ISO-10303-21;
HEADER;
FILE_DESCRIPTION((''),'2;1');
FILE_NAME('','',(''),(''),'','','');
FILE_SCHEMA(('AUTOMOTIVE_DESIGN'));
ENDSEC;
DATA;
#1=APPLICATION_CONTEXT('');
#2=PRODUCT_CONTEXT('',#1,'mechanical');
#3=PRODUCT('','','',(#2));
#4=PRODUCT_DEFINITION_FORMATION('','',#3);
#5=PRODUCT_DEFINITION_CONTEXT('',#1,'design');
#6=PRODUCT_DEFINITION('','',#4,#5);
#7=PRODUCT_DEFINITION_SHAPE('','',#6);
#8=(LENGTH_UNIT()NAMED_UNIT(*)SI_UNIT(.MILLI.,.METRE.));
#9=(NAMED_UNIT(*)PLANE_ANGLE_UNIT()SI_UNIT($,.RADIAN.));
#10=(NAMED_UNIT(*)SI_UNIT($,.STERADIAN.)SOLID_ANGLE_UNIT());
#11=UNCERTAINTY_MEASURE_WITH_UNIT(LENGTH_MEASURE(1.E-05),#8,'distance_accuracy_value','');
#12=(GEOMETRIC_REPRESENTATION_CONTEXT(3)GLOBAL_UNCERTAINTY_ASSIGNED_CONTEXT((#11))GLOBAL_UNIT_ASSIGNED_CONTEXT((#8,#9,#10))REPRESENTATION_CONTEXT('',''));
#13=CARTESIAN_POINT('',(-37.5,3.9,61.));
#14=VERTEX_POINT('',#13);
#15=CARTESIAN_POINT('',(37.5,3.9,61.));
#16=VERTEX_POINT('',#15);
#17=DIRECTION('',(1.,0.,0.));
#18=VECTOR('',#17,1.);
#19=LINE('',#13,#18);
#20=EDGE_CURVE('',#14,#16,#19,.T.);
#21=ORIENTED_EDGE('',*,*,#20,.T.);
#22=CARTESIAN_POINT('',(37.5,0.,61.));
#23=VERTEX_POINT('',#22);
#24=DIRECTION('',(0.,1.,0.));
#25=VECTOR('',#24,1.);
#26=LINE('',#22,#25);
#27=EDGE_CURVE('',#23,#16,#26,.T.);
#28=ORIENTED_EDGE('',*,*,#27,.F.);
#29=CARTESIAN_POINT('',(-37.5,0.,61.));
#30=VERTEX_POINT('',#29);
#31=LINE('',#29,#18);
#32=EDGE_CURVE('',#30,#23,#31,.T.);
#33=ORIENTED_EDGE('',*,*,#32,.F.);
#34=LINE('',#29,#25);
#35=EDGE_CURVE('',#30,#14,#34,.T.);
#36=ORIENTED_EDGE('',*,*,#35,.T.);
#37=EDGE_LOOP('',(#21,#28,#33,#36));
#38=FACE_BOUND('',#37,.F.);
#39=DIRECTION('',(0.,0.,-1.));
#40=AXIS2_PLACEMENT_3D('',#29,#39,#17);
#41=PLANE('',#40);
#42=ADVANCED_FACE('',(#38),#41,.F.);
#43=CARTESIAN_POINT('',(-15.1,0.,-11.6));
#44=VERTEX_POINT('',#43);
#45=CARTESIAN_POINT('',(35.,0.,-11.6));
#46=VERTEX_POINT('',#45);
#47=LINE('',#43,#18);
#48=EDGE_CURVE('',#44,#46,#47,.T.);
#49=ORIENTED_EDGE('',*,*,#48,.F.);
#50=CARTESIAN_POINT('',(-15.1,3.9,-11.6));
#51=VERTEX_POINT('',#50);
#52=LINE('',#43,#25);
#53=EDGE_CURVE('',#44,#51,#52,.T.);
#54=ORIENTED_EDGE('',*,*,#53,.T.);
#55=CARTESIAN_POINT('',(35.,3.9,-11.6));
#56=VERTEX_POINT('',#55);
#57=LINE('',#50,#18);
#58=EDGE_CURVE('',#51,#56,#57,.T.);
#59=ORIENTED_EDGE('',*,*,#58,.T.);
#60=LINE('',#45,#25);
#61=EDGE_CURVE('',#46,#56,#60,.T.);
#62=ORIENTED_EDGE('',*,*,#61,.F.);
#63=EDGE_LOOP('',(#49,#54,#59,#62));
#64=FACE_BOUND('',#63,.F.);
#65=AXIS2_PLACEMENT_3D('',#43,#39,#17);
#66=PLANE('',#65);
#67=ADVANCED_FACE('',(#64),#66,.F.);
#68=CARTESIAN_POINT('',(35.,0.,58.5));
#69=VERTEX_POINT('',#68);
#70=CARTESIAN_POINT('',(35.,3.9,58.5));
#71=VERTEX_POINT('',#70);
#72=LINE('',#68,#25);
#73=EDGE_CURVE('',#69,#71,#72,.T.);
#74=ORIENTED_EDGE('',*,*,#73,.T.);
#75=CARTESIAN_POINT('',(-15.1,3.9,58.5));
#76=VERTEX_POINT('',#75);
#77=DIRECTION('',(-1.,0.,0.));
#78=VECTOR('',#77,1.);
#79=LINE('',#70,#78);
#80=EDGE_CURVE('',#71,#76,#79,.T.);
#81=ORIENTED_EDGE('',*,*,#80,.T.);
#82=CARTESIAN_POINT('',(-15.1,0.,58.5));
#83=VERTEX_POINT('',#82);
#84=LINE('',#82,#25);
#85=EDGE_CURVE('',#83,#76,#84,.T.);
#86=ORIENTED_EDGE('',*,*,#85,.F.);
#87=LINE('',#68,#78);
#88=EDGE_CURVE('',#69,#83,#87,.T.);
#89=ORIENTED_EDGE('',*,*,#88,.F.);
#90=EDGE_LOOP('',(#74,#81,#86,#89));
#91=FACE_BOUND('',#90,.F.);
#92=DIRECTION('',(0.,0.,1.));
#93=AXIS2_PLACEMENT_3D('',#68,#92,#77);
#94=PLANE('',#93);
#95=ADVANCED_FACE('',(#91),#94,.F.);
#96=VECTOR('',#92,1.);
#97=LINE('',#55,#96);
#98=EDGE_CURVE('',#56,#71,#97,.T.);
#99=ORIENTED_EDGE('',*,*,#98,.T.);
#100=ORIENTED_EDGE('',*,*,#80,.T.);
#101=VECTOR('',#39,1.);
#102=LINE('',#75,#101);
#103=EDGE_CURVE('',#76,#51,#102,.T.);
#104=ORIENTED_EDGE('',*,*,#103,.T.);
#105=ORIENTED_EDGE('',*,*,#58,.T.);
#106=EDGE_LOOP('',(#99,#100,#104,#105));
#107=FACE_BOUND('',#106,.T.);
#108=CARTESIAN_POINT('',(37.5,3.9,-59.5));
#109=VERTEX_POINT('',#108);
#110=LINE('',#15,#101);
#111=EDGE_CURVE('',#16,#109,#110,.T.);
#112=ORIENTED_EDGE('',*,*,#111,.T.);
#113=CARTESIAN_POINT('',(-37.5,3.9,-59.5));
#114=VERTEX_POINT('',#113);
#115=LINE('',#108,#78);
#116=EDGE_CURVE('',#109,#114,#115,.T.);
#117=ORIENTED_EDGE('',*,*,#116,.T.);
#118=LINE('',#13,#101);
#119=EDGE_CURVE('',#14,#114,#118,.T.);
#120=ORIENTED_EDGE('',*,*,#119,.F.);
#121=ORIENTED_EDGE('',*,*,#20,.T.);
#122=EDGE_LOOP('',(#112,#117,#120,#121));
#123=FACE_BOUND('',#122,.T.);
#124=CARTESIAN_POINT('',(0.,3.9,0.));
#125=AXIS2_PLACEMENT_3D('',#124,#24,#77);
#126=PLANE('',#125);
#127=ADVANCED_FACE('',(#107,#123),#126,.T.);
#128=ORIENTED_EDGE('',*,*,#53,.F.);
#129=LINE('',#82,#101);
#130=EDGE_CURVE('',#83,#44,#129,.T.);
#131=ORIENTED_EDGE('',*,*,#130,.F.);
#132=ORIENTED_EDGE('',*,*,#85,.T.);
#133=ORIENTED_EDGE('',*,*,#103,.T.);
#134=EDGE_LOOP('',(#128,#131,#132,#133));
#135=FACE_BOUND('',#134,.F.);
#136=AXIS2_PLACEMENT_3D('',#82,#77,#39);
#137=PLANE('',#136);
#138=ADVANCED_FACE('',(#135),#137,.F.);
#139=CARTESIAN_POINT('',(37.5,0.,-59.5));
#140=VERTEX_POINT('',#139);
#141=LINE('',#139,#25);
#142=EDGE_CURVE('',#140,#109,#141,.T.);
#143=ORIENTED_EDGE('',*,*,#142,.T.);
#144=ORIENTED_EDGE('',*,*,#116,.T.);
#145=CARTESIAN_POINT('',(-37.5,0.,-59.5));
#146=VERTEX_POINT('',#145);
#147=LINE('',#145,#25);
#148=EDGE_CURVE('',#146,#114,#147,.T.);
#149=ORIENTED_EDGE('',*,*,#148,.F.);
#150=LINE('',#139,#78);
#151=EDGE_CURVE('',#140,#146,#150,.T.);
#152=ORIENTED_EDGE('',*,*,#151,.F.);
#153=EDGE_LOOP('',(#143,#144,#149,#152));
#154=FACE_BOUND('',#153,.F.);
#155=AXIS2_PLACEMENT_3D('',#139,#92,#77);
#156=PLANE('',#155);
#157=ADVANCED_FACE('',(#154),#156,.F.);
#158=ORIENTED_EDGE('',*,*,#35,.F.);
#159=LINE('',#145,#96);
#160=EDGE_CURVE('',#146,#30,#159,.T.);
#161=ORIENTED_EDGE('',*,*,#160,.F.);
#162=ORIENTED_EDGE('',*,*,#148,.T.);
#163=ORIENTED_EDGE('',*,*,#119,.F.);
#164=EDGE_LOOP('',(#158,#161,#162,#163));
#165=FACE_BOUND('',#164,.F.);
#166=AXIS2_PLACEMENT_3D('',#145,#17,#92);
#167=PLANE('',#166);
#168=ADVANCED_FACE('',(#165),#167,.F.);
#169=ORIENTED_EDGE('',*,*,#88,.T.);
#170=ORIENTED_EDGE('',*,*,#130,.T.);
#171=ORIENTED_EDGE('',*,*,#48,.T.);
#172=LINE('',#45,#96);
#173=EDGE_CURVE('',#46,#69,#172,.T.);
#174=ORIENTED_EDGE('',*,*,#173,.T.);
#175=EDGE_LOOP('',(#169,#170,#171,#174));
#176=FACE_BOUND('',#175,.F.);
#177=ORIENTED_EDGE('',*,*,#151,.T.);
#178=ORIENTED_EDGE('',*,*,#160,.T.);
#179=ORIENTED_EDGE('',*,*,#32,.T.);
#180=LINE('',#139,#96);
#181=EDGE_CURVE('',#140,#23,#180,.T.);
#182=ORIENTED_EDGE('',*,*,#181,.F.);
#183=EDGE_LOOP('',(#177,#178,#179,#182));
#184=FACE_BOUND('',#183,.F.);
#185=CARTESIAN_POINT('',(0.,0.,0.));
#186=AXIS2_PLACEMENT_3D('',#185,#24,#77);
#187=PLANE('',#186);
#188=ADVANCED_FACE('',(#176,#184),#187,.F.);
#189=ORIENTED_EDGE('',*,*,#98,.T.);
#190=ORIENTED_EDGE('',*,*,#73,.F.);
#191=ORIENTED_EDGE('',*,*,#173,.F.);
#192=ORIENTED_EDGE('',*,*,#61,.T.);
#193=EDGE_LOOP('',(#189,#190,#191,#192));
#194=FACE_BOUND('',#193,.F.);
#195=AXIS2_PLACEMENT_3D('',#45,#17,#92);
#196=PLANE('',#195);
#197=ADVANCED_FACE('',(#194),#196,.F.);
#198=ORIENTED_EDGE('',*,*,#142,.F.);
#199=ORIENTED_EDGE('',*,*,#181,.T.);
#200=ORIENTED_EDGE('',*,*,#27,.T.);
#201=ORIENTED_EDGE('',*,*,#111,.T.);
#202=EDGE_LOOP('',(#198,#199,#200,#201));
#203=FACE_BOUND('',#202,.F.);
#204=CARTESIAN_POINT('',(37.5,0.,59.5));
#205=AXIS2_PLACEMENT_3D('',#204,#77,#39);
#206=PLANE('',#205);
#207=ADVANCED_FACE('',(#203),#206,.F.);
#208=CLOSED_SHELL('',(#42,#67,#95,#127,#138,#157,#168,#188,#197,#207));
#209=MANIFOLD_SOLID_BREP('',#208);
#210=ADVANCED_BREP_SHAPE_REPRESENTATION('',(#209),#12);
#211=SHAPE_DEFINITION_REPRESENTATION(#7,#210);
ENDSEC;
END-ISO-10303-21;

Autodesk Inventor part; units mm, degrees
ref_plane "YZ Plane" through (0, 0, 0) normal (1, 0, 0) x (0, 1, 0)
ref_plane "XZ Plane" through (0, 0, 0) normal (0, 1, 0) x (-1, 0, 0)
ref_plane "XY Plane" through (0, 0, 0) normal (0, 0, 1) x (1, 0, 0)
sketch "Sketch2" plane through (0, 0, 0) normal (0, 1, 0) x (-1, 0, 0)
  line L0 (37.5, 59.5) -> (-37.5, 59.5)
  line L1 (-37.5, 59.5) -> (-37.5, -59.5)
  line L2 (-37.5, -59.5) -> (37.5, -59.5)
  line L3 (37.5, -59.5) -> (37.5, 59.5)
  line L4 (37.5, 59.5) -> (-37.5, -59.5) construction
  line L5 (-37.5, 59.5) -> (37.5, -59.5) construction
  line L6 (-35, 58.5) -> (15.1, 58.5)
  line L7 (15.1, 58.5) -> (15.1, -11.6)
  line L8 (15.1, -11.6) -> (-35, -11.6)
  line L9 (-35, -11.6) -> (-35, 58.5)
  line L10 (-37.5, 59.5) -> (37.5, 59.5)
  line L11 (37.5, 59.5) -> (37.5, 61)
  line L12 (37.5, 61) -> (-37.5, 61)
  line L13 (-37.5, 61) -> (-37.5, 59.5)
  point P0 (0, 0)
  dimension "d8" = 119
  dimension "d9" = 75
  dimension "d10" = 2.5
  dimension "d11" = 1
  dimension "d12" = 70.1
  dimension "d13" = 50.1
  dimension "d14" = 1.5
extrude "Extrusion2" add sketch "Sketch2" along normal blind 3.9
properties part number "lid" material "Acetal Resin, Black"
